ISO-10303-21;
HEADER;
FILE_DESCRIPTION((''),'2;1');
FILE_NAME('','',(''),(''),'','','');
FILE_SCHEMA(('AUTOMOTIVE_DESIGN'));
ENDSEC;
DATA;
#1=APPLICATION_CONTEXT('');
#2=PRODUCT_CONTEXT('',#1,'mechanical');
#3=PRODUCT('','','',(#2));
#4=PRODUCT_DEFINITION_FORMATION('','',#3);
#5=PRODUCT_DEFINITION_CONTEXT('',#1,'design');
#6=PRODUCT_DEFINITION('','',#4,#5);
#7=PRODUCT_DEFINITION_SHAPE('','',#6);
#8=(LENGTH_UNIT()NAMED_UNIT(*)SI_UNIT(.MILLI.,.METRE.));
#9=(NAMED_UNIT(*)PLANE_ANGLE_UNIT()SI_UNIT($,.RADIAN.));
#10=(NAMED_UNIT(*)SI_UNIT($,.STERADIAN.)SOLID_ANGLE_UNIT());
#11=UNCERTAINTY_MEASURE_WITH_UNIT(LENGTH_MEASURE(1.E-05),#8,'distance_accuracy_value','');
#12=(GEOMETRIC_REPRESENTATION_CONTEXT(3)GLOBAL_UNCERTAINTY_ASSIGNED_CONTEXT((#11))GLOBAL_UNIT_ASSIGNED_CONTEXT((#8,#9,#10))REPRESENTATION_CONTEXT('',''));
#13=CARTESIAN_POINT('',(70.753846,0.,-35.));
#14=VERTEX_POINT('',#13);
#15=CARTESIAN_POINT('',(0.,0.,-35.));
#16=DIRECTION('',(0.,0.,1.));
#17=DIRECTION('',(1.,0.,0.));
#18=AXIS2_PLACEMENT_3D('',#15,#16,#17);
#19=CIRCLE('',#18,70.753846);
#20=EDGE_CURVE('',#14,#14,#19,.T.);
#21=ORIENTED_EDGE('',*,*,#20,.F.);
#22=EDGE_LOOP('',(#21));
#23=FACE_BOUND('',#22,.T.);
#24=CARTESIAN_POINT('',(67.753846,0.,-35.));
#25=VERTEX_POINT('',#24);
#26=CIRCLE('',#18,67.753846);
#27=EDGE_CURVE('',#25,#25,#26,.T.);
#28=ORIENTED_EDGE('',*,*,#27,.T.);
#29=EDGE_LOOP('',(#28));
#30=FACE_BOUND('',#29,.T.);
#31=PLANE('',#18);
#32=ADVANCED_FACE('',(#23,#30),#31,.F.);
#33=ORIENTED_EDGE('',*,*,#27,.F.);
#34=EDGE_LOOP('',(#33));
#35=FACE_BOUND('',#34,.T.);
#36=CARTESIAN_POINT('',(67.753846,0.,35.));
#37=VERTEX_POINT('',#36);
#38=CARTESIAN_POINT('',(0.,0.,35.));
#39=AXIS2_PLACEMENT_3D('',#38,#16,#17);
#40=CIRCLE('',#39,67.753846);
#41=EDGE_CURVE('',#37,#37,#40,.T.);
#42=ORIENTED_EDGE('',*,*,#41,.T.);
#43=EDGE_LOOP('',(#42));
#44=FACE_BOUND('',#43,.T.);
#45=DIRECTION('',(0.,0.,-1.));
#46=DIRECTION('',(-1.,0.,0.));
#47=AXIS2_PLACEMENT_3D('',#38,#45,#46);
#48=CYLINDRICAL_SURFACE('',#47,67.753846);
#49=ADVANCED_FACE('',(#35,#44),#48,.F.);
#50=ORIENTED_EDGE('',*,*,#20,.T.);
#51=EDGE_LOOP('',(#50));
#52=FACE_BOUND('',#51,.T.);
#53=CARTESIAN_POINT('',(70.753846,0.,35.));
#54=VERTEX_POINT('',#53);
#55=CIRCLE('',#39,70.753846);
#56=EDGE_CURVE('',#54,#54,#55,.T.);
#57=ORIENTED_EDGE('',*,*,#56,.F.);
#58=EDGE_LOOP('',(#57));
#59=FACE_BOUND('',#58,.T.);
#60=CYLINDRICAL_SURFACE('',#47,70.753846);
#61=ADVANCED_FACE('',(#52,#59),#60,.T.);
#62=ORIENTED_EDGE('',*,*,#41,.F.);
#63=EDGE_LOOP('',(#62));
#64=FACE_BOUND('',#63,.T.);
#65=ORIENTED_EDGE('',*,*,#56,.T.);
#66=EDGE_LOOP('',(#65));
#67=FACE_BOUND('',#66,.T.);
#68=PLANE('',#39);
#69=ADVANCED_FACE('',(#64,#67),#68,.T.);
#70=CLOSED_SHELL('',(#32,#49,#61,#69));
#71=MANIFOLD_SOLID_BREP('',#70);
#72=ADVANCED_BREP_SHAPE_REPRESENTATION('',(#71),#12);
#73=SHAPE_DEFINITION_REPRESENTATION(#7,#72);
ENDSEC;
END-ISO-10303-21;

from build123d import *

# Parameters (mm, degrees)
ROTOR_SHELL_START = -35
SKETCH_1_R        = 70.753846154
SKETCH_1_R_2      = 67.753846154
ROTOR_SHELL_DEPTH = 70


with BuildPart() as part:
    # Эскиз1 → Rotor_shell (new body)
    with BuildSketch(Plane.XY.offset(ROTOR_SHELL_START)):
        Circle(SKETCH_1_R)
        Circle(SKETCH_1_R_2, mode=Mode.SUBTRACT)
    extrude(amount=ROTOR_SHELL_DEPTH)


solid = part.part
